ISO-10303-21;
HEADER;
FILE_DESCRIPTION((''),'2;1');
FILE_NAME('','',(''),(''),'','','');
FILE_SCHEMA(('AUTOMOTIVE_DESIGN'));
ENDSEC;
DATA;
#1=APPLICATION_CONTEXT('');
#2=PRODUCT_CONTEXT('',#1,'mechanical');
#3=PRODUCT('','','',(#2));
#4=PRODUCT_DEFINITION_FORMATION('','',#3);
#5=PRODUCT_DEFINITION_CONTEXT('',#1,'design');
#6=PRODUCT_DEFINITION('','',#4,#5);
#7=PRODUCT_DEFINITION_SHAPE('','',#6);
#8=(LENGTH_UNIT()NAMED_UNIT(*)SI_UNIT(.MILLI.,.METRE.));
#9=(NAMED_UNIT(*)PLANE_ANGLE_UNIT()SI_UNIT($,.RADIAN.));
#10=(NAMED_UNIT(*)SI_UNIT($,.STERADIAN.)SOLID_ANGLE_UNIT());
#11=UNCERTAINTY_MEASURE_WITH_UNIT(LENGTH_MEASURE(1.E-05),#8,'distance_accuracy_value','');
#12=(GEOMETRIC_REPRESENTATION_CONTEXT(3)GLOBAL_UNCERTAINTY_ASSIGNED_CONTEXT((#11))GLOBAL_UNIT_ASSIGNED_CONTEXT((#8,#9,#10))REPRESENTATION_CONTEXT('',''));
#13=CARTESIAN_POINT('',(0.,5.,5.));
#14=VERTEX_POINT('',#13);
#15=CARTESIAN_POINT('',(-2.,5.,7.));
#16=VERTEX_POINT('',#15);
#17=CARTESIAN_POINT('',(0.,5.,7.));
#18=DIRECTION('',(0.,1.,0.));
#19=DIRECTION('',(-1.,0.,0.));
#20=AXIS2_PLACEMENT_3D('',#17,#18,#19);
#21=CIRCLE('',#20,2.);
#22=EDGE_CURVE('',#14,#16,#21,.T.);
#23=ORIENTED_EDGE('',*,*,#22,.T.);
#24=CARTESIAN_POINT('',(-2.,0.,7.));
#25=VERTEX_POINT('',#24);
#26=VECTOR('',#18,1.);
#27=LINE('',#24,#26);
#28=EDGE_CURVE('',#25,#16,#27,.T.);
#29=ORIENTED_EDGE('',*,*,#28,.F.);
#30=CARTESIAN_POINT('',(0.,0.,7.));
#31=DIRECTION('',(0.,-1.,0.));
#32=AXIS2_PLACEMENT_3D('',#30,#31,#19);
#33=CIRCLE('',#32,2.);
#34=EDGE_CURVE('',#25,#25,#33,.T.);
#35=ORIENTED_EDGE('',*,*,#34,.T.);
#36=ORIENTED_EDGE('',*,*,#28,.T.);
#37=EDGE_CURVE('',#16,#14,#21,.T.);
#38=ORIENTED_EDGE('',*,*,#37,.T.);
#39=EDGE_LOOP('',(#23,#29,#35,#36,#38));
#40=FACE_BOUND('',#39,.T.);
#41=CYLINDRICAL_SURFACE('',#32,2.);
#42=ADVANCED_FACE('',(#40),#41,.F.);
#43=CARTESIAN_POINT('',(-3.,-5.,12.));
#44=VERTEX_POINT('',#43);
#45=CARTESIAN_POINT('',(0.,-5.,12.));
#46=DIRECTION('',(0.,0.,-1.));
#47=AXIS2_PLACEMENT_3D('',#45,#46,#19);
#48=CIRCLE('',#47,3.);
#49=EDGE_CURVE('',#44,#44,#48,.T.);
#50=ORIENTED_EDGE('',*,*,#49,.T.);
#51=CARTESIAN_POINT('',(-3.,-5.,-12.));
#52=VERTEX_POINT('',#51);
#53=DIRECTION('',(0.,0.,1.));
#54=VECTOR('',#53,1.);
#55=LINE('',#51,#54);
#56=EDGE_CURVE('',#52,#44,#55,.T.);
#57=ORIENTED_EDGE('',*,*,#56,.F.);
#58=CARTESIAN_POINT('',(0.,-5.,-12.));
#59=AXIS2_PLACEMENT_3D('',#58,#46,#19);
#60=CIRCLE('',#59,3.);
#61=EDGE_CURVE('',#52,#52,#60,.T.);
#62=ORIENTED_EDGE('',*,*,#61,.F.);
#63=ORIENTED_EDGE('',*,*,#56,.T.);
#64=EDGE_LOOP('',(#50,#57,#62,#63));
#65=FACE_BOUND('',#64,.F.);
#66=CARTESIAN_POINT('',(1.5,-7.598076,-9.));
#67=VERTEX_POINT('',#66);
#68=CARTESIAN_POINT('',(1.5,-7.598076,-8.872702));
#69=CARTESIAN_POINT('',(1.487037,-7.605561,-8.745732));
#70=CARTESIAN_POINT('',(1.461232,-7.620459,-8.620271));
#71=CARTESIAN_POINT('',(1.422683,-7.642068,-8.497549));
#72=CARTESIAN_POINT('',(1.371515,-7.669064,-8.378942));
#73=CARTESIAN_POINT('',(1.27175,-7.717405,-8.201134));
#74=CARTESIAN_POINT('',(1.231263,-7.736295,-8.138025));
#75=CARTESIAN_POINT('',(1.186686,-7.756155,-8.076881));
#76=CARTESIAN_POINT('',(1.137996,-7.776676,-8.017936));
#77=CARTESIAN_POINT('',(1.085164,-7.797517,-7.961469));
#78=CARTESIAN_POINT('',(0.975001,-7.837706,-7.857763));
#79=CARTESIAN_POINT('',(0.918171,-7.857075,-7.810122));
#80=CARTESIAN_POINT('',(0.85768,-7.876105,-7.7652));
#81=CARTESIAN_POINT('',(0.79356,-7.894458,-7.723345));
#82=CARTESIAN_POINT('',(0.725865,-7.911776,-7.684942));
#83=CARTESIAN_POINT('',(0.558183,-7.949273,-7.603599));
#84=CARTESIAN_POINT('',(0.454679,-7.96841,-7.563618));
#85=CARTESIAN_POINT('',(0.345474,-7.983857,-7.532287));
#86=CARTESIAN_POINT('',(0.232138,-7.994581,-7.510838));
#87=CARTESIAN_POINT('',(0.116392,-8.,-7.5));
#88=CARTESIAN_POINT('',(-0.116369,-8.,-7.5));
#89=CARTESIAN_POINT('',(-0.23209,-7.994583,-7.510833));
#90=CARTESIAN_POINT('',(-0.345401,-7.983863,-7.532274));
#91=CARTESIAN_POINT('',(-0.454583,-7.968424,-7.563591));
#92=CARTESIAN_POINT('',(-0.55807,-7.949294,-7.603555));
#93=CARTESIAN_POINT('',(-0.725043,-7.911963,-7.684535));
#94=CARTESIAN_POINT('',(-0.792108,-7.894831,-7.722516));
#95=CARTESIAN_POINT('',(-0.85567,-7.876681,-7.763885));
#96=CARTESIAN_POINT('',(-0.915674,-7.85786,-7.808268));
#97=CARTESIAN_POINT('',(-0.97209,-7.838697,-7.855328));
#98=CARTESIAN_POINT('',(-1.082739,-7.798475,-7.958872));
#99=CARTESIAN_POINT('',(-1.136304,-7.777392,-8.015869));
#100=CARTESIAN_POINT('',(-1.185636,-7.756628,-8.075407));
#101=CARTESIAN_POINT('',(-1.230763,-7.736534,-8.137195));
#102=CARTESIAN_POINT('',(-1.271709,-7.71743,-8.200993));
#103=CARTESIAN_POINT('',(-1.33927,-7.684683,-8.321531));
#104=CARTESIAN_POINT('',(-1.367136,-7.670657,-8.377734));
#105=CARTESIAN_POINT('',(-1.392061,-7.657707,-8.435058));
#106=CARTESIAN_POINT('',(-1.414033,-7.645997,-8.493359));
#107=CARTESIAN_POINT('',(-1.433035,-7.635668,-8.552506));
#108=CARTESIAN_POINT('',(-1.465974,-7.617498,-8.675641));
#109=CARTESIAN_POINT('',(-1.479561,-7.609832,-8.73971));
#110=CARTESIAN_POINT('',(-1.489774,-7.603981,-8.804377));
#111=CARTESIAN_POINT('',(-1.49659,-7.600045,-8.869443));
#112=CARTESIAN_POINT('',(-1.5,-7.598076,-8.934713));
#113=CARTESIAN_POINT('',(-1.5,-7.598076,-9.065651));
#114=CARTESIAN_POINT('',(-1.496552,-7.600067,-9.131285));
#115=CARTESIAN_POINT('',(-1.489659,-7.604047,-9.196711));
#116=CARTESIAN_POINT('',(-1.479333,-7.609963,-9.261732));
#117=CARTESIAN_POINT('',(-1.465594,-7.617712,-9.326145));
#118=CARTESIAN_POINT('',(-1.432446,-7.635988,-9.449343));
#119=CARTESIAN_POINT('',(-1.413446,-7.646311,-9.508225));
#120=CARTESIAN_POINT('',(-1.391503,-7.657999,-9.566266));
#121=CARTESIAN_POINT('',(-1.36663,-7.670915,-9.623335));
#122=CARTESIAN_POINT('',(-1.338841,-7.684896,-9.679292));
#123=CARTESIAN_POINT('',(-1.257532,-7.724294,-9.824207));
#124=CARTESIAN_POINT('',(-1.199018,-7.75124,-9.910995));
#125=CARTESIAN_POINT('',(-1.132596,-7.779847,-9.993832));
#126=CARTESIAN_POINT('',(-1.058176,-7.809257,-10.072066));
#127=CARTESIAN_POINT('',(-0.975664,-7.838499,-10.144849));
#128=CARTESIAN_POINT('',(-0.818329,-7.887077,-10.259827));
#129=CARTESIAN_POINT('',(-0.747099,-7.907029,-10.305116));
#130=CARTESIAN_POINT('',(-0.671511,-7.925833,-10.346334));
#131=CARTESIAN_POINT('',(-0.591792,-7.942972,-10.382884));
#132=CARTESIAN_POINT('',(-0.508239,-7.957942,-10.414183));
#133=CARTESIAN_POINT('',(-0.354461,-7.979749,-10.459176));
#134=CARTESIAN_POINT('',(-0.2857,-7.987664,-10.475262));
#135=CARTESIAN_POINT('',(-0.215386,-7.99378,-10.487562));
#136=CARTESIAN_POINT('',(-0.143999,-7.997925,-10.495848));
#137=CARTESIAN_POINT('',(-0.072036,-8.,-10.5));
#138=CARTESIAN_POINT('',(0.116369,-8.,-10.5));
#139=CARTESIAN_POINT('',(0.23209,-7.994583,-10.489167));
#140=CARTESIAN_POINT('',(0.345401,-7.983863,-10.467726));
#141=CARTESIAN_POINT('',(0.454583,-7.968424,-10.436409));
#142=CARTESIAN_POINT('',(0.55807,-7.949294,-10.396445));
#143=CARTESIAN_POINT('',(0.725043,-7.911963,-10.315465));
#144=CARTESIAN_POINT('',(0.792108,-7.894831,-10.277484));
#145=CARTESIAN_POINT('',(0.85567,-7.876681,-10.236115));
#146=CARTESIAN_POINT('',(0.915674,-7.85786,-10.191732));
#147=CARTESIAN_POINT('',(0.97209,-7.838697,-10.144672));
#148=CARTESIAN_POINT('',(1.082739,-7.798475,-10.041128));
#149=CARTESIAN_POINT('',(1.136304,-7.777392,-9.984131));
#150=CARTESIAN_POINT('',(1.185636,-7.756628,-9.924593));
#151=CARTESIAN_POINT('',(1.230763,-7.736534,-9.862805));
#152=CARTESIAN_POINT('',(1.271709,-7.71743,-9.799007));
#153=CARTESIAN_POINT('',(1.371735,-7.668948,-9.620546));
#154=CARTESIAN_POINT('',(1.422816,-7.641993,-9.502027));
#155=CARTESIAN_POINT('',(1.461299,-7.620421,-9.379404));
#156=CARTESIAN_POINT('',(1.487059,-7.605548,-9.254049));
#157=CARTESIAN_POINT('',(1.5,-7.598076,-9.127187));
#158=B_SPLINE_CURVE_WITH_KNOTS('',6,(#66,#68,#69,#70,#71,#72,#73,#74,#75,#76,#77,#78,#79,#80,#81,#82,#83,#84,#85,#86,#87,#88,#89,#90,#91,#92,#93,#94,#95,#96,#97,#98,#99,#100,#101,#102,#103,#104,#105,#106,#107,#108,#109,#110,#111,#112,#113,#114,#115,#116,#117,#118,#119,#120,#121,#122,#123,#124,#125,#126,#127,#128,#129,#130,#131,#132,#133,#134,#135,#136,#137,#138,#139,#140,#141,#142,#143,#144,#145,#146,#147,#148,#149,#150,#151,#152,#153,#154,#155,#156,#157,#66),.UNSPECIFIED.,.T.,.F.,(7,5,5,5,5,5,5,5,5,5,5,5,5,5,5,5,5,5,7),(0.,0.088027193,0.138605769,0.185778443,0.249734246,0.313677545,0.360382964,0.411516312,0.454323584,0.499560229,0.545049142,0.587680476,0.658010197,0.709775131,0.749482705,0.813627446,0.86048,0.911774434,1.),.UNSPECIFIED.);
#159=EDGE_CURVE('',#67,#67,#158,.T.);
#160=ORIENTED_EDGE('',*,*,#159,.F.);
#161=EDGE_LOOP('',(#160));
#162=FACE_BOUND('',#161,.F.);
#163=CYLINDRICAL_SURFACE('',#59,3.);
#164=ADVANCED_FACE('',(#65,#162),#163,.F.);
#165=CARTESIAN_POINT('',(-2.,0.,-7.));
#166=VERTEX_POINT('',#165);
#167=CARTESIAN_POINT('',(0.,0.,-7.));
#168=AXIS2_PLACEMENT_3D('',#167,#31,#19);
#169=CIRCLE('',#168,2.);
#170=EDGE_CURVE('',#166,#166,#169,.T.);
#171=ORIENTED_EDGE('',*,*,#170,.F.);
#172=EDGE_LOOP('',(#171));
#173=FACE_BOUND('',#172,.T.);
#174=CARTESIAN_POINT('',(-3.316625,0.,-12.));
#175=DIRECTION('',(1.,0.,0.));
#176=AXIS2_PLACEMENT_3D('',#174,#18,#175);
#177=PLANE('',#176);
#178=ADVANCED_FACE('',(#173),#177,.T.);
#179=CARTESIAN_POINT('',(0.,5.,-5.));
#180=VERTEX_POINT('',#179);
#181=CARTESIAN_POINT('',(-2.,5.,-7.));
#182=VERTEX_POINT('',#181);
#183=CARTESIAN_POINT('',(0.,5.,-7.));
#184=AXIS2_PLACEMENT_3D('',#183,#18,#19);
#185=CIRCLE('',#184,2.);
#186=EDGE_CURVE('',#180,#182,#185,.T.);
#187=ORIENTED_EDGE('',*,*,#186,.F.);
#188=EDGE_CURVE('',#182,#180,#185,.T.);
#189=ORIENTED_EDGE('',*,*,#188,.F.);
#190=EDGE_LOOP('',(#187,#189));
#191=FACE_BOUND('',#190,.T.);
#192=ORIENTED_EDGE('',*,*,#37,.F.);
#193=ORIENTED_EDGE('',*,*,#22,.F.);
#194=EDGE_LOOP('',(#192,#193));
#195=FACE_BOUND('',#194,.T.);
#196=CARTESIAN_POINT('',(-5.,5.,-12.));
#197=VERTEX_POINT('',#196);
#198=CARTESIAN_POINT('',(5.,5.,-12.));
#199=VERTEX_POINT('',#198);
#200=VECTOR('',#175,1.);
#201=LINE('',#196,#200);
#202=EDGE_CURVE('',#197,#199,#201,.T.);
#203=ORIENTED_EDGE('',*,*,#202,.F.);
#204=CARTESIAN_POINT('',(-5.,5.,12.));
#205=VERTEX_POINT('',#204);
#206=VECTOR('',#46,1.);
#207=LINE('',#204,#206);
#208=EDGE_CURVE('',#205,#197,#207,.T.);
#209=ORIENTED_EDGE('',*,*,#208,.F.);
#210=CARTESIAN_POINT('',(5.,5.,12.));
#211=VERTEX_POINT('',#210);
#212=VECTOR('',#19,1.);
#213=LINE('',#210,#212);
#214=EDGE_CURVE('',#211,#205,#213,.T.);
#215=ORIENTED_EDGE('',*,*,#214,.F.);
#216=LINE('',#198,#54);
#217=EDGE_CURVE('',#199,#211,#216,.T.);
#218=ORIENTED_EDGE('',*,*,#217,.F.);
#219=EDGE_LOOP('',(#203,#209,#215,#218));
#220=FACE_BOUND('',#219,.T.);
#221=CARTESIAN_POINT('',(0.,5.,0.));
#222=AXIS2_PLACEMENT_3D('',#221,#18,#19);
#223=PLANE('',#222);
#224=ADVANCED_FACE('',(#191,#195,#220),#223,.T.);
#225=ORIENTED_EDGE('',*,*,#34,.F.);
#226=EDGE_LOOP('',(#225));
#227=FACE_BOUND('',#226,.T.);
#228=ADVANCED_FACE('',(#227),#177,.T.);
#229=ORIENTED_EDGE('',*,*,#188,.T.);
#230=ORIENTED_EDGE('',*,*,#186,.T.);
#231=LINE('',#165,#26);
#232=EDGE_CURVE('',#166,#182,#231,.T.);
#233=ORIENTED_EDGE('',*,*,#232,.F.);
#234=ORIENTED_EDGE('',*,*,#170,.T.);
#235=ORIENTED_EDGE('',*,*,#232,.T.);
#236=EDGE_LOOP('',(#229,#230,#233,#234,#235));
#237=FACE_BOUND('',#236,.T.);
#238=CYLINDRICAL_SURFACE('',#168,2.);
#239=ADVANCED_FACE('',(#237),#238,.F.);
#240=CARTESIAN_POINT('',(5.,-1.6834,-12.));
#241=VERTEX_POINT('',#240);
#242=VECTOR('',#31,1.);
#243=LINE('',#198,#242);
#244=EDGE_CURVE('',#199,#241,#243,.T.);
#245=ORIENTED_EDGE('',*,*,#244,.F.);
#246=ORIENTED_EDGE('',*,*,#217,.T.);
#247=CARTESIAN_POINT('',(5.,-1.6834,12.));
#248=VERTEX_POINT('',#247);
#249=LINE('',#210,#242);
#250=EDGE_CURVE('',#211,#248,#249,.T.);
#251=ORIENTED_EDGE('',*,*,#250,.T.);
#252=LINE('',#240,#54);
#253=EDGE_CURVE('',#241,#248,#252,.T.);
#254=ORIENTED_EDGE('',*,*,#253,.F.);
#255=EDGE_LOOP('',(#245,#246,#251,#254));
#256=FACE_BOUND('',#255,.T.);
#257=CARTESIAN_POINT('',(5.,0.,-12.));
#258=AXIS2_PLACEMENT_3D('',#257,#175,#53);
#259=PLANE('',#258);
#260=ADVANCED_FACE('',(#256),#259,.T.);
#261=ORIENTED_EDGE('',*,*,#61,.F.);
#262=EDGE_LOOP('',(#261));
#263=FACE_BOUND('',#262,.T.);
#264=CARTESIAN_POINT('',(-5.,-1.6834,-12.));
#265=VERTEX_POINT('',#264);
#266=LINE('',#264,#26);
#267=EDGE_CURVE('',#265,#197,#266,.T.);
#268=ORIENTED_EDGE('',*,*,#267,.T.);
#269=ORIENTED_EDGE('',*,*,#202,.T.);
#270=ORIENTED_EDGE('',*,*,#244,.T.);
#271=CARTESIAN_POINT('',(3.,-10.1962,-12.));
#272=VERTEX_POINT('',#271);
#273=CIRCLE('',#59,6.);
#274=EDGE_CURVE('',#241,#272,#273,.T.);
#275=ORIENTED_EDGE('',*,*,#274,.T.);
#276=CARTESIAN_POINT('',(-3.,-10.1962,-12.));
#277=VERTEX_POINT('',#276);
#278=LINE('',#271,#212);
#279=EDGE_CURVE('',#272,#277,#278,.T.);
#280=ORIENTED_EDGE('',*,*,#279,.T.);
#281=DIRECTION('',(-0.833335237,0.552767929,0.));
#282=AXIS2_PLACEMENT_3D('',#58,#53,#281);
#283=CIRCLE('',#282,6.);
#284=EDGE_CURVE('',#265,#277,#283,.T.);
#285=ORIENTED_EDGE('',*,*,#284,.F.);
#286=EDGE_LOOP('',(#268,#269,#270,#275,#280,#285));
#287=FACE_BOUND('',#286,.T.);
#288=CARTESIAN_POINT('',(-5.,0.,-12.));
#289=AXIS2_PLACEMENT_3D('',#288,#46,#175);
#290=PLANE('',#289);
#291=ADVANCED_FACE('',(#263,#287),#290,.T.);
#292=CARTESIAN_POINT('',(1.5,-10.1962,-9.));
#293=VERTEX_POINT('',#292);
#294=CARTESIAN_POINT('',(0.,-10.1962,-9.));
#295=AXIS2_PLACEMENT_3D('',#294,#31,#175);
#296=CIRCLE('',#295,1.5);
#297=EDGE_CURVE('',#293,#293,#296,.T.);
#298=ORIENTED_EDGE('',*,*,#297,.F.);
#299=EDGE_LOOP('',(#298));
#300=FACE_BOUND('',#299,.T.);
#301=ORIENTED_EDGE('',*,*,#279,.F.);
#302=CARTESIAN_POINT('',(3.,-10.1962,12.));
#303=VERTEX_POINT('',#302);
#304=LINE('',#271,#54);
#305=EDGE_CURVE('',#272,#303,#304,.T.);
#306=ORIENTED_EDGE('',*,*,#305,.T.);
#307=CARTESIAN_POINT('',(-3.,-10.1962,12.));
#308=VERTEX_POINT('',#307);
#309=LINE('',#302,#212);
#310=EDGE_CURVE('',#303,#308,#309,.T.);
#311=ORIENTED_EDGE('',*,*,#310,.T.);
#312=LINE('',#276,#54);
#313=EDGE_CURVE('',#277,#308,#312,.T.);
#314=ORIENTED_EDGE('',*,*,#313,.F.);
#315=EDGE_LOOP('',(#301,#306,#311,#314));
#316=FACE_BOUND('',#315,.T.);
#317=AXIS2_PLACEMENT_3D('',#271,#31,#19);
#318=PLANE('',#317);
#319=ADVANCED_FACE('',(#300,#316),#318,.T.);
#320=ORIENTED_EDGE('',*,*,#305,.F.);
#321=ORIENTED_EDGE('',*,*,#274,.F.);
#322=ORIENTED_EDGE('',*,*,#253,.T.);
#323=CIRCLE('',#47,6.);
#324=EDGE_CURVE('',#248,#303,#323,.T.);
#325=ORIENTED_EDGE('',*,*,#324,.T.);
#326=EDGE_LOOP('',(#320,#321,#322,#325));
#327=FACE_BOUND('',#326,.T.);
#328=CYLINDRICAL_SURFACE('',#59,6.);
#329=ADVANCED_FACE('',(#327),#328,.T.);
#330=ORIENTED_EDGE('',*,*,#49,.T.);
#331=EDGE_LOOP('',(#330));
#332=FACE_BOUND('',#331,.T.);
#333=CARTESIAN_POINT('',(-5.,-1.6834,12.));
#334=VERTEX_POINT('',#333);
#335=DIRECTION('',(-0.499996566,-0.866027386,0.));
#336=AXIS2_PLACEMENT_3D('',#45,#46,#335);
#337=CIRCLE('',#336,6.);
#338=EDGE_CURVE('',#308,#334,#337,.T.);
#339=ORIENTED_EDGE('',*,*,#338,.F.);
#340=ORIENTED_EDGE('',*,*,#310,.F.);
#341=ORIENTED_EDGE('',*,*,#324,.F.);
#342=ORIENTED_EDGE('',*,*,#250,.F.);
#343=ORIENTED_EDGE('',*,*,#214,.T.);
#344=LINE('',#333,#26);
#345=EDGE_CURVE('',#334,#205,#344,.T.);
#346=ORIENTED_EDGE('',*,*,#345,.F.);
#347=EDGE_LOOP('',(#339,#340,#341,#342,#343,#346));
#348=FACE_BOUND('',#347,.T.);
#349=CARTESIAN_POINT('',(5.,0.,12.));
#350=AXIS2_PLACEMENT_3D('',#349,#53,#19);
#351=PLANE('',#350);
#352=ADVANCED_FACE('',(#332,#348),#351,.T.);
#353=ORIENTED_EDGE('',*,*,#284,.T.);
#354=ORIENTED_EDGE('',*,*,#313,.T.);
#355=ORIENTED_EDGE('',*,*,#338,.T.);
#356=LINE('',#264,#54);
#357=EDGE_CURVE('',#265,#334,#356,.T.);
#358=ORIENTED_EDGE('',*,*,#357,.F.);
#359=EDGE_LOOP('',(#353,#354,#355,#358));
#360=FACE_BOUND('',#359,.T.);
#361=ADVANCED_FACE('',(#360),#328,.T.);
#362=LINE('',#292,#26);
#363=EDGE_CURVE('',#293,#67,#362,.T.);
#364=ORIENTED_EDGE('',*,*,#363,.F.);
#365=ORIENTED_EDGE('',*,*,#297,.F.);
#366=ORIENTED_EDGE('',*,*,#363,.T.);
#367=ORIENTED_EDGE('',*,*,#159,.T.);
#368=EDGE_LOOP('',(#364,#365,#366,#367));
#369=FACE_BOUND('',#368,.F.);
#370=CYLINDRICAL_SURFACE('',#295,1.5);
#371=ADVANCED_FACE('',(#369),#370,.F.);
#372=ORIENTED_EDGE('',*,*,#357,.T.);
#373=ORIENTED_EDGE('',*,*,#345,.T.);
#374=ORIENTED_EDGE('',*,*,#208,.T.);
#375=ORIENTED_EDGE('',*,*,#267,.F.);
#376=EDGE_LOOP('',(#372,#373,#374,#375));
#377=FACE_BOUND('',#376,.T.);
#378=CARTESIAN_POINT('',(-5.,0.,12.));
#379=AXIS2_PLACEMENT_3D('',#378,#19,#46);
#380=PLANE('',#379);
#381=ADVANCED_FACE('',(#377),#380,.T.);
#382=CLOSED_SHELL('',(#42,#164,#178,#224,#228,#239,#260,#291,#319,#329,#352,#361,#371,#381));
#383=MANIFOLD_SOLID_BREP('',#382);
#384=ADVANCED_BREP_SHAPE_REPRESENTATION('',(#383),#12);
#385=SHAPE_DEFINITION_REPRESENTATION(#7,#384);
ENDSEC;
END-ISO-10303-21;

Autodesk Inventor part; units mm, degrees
ref_plane "YZ Plane" through (0, 0, 0) normal (1, 0, 0) x (0, 1, 0)
ref_plane "XZ Plane" through (0, 0, 0) normal (0, 1, 0) x (-1, 0, 0)
ref_plane "XY Plane" through (0, 0, 0) normal (0, 0, 1) x (1, 0, 0)
sketch "Sketch1" plane through (0, 0, 0) normal (0, 1, 0) x (-1, 0, 0)
  circle A0 centre (0, 7) radius 2
  circle A1 centre (0, -7) radius 2
  line L0 (0, 7) -> (0, -7)
  line L1 (5, -12) -> (-5, -12)
  line L2 (-5, -12) -> (-5, 12)
  line L3 (-5, 12) -> (5, 12)
  line L4 (5, 12) -> (5, -12)
  point P0 (0, 0)
  point P1 (0, 0)
  point P2 (-5, 0)
  point P3 (0, -12)
  dimension "d0" = 4
  dimension "d1" = 4
  dimension "d2" = 14
  dimension "d3" = 10
  dimension "d4" = 24
extrude "Extrusion1" add sketch "Sketch1" along normal blind 5
sketch "Sketch2" plane through (5, 0, -12) normal (0, 0, -1) x (-1, 0, 0)
  circle A0 centre (5, -5) radius 6
  circle A1 centre (5, -5) radius 3
  line L0 (0, 0) -> (0, 5) projected
  line L1 (10, 0) -> (0, 0) projected
  line L2 (0, 0) -> (0, -1.6834)
  line L3 (10, 0) -> (10, -1.6834)
  line L4 (2, -10.1962) -> (8, -10.1962)
  point P0 (5, 0)
  dimension "d7" = 6
  dimension "d8" = 5
  dimension "d9" = 5
  dimension "d10" = 12
  dimension "d11" = 6
extrude "Extrusion2" add sketch "Sketch2" against normal blind 24 contours A0 L4 L1 | A0 L1 L3 | A0 L2 L1
sketch "Sketch3" plane through (-3, -10.1962, -12) normal (0, -1, 0) x (1, 0, 0)
  circle A0 centre (3, 3) radius 1.5
  line L0 (3, 3) -> (3, 12) construction
  dimension "d14" = 3
  dimension "d15" = 9
extrude "Extrusion3" cut sketch "Sketch3" against normal blind 6.25
properties part number "Metal_Bushing"
